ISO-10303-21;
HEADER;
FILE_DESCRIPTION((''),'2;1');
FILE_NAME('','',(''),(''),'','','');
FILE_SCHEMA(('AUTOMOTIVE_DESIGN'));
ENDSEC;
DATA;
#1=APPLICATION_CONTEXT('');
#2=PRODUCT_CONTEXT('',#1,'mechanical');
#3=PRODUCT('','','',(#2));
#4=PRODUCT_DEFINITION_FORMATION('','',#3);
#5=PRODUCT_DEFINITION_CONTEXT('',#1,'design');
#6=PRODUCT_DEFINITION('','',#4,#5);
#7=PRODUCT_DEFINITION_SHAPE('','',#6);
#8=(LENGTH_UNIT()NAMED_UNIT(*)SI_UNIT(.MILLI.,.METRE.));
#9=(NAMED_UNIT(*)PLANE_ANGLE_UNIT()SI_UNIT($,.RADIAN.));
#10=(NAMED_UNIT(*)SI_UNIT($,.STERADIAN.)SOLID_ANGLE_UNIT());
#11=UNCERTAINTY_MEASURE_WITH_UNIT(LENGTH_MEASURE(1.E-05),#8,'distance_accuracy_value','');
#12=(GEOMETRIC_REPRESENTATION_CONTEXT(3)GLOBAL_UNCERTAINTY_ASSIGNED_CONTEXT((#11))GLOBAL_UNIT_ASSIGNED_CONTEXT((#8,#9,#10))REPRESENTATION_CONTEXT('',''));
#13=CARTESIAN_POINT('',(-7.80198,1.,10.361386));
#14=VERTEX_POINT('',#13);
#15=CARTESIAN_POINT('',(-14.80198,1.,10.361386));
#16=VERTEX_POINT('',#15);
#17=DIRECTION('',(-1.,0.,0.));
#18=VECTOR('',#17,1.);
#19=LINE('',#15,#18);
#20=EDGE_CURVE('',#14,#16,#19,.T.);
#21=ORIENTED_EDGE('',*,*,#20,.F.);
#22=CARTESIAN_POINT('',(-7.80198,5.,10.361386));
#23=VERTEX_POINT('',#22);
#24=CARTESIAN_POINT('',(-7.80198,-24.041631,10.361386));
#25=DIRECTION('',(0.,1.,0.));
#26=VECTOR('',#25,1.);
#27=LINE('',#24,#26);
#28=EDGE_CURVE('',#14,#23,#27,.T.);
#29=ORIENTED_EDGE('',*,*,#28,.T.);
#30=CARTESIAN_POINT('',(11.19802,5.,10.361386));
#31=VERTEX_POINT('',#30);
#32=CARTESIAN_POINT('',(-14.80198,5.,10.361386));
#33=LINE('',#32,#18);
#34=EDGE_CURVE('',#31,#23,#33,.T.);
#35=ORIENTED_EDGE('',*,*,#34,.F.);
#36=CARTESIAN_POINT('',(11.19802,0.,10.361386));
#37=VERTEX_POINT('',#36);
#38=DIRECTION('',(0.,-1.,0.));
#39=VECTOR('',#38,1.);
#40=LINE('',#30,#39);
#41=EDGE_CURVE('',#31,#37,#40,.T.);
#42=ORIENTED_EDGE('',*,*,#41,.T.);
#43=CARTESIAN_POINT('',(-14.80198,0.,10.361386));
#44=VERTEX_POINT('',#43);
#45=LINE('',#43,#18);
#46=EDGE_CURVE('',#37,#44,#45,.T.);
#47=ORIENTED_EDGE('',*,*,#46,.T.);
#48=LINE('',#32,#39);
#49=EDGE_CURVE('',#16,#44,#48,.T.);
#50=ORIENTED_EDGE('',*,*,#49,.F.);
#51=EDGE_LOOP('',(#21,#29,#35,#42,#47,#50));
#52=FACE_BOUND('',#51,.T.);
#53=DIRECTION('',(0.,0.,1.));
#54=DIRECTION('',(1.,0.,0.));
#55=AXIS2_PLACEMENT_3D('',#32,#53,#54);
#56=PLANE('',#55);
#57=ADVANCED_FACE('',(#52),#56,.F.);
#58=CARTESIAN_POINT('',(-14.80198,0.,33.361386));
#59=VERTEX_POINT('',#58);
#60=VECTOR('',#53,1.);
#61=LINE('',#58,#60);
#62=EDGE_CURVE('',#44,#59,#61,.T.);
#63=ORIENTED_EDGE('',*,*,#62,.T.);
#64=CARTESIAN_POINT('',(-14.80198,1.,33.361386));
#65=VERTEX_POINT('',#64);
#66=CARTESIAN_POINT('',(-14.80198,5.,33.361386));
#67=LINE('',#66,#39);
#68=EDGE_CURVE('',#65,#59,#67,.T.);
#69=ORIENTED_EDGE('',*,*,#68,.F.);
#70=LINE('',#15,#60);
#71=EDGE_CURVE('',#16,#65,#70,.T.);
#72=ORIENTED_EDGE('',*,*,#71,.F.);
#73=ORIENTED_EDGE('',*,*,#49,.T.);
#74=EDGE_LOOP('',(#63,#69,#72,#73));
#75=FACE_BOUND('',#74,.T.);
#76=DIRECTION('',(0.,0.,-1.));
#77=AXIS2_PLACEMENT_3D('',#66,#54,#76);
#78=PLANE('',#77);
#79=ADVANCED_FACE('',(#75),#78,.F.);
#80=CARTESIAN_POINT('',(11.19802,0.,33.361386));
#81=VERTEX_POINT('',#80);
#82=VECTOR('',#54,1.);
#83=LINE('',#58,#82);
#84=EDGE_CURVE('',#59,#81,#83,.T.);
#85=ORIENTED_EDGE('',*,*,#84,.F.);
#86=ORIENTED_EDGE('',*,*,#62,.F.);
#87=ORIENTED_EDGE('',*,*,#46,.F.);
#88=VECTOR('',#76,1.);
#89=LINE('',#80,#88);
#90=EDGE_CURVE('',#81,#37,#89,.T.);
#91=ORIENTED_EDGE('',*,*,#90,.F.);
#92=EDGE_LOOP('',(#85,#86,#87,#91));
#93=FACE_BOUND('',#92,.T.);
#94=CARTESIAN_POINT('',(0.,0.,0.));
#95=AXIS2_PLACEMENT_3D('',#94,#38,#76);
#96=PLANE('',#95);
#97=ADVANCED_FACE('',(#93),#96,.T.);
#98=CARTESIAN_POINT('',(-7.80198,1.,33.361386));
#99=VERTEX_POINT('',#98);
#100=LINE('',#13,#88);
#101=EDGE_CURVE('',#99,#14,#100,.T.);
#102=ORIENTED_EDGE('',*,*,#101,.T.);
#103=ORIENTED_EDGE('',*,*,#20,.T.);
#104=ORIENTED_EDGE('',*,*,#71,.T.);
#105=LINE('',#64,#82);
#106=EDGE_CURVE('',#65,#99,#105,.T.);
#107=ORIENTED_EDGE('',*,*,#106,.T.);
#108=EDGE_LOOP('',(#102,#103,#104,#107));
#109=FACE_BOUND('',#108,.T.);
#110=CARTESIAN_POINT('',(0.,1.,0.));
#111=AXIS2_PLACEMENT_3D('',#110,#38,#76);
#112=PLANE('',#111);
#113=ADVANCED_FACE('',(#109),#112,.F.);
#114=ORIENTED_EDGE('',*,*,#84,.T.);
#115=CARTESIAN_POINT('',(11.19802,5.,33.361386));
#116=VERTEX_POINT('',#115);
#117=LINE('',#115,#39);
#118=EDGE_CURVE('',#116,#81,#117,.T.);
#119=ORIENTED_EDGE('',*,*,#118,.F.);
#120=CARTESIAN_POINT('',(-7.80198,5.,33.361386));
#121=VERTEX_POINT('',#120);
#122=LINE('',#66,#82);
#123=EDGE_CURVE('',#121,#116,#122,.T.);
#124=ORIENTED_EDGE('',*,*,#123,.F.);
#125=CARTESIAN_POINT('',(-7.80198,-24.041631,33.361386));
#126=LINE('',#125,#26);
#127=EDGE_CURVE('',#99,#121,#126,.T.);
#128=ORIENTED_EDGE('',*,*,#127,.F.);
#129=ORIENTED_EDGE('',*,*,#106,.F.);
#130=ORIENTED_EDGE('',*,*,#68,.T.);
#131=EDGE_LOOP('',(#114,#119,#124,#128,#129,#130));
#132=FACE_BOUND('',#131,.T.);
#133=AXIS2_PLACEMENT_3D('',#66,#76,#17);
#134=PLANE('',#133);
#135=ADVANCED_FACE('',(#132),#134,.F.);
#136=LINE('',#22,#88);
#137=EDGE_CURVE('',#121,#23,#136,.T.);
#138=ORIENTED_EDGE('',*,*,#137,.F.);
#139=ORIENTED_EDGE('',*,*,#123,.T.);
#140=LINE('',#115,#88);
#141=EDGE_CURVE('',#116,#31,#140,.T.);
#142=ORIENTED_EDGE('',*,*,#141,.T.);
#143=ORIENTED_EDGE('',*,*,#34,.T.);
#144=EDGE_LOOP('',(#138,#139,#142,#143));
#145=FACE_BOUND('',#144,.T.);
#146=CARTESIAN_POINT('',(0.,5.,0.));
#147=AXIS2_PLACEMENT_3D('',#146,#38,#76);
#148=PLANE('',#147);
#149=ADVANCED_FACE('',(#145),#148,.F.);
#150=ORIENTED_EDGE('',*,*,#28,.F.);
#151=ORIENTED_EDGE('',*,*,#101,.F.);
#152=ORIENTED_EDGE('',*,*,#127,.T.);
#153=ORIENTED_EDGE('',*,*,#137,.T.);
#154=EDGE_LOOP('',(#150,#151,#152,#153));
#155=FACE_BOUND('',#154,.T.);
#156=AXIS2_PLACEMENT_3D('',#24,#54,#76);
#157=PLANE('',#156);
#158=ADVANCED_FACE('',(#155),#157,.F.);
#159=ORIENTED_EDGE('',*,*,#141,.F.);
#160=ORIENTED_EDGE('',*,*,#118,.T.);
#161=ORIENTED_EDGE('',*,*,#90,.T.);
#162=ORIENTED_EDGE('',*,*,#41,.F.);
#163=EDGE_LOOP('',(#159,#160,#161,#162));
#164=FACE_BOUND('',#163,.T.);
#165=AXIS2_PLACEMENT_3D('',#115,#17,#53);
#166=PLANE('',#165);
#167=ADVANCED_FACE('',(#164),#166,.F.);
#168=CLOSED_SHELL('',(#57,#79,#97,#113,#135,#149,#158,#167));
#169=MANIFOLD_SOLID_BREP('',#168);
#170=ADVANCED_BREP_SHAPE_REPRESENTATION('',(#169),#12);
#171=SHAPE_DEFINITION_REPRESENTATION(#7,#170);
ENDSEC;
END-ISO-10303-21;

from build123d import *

# Parameters (mm, degrees)
SKETCH1_W           = 26
SKETCH1_H           = 23
BOSS_EXTRUDE1_DEPTH = 5
SKETCH2_W           = 7
SKETCH2_H           = 23
CUT_EXTRUDE1_DEPTH  = 4


with BuildPart() as part:
    # Sketch1 → Boss-Extrude1 (new body)
    with BuildSketch(Plane(origin=(0, 0, 0), x_dir=(1, 0, 0), z_dir=(0, 1, 0))):
        with Locations((-1.801980198, -21.861386139)):
            Rectangle(SKETCH1_W, SKETCH1_H)
    extrude(amount=BOSS_EXTRUDE1_DEPTH)

    # Sketch2 → Cut-Extrude1 (cut)
    with BuildSketch(Plane(origin=(0, 5, 0), x_dir=(1, 0, 0), z_dir=(0, 1, 0))):
        with Locations((-11.301980198, -21.861386139)):
            Rectangle(SKETCH2_W, SKETCH2_H)
    extrude(amount=-CUT_EXTRUDE1_DEPTH, mode=Mode.SUBTRACT)


solid = part.part
